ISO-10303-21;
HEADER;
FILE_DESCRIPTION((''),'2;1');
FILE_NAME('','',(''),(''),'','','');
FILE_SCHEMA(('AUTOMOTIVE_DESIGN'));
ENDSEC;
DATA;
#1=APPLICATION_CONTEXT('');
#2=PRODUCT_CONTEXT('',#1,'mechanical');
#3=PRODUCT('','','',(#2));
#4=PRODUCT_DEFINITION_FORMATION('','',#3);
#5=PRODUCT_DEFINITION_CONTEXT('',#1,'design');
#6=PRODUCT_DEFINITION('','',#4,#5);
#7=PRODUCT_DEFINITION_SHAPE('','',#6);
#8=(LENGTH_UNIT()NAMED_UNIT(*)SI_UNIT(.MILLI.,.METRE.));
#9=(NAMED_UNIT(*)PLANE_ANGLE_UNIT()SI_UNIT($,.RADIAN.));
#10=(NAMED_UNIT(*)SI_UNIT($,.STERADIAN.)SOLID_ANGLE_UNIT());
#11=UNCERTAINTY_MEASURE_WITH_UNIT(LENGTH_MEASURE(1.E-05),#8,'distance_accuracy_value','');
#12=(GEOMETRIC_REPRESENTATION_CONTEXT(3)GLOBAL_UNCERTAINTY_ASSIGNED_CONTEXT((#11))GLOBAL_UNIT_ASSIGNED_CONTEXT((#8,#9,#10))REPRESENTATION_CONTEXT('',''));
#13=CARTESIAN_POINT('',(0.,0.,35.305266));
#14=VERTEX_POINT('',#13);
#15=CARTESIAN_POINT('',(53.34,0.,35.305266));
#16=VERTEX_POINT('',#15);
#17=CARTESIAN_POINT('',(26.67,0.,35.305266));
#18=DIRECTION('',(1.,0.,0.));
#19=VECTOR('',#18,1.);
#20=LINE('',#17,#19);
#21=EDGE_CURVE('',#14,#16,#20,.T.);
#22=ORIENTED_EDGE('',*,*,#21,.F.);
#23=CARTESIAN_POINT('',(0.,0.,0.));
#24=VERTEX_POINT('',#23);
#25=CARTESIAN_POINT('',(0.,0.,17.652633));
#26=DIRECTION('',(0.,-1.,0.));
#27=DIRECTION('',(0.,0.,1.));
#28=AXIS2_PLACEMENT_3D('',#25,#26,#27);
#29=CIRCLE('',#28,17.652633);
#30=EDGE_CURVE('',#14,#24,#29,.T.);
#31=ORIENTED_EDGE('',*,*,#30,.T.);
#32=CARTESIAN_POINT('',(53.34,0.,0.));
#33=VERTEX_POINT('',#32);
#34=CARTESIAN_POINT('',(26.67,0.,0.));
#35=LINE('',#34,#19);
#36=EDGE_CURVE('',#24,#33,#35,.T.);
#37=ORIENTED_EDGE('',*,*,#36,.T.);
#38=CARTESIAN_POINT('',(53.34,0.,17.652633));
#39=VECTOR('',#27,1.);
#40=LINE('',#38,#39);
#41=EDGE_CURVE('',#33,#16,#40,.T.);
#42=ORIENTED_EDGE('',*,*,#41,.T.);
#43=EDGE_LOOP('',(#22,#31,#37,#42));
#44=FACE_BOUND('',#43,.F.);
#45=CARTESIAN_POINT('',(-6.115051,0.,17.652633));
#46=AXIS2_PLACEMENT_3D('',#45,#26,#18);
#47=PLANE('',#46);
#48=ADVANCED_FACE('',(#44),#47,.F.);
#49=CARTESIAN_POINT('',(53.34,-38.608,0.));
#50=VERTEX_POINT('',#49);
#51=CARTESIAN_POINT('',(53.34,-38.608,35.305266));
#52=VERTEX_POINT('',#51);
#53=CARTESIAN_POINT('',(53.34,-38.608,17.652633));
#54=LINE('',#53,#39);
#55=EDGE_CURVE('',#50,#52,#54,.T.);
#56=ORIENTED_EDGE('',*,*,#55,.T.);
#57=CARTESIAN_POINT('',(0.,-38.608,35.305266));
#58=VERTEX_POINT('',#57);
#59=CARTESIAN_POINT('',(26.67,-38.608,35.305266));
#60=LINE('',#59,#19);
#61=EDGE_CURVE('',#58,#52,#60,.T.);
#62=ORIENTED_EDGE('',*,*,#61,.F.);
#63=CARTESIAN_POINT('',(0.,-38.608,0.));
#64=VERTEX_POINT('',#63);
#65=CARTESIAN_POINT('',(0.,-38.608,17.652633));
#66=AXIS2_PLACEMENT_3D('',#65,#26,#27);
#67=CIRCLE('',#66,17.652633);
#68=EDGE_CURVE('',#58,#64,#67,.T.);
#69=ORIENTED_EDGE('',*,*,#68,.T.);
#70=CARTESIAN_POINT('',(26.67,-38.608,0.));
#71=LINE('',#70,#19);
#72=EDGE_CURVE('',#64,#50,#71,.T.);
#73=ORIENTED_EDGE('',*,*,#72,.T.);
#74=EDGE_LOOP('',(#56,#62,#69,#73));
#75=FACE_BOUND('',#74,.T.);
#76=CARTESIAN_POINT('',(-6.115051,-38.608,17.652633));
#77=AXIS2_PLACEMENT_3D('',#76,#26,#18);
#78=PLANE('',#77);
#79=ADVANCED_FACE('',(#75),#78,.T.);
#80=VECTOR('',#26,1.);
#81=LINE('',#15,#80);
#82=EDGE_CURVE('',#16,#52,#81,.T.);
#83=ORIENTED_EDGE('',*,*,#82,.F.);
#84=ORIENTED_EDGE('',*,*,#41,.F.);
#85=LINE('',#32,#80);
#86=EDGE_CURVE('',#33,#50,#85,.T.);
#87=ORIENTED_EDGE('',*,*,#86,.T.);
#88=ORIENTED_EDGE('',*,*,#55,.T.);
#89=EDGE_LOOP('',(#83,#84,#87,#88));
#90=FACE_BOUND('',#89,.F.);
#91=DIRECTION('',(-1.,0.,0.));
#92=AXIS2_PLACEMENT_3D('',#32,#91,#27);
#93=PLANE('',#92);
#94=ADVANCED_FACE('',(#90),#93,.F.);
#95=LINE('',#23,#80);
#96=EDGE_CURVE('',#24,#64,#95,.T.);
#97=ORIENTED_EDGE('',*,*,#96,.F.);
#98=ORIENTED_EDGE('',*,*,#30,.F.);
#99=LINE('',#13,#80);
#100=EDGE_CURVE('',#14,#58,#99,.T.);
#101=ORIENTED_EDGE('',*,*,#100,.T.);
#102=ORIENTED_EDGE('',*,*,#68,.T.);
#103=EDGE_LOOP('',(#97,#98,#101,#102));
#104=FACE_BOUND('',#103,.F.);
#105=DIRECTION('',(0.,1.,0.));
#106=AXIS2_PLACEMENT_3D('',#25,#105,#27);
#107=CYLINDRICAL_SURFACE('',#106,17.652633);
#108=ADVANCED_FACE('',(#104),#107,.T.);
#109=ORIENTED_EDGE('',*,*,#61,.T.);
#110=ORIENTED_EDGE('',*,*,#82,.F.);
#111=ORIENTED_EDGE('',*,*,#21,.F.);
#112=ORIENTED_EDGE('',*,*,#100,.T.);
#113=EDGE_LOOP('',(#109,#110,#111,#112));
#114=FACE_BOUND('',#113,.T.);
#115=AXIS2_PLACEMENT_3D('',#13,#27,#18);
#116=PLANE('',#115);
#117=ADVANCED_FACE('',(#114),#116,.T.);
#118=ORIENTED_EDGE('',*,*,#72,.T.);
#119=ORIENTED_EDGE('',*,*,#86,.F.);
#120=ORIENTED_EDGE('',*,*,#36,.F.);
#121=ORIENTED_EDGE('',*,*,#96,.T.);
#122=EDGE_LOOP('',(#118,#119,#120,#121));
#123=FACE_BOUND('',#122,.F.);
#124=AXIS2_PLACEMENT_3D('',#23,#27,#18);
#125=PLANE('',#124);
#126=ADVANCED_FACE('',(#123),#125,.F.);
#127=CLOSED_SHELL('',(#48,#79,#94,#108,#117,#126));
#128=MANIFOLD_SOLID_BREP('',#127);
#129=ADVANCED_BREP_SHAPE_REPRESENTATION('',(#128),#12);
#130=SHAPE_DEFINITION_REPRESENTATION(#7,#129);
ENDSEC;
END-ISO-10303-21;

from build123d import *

# Parameters (mm, degrees)
F0_W     = 53.34
F0_H     = 35.305266
F1_DEPTH = 38.608


with BuildPart() as f1:
    # F0 (on Front) → F1 (new body)
    with BuildSketch(Plane.XZ):
        with BuildLine():
            ThreePointArc((0, 35.305266), (-17.652633, 17.652633), (0, 0))
            Line((0, 0), (0, 35.305266))
        make_face()
        with Locations((26.67, 17.652633)):
            Rectangle(F0_W, F0_H)
    extrude(amount=F1_DEPTH)


solid = f1.part
